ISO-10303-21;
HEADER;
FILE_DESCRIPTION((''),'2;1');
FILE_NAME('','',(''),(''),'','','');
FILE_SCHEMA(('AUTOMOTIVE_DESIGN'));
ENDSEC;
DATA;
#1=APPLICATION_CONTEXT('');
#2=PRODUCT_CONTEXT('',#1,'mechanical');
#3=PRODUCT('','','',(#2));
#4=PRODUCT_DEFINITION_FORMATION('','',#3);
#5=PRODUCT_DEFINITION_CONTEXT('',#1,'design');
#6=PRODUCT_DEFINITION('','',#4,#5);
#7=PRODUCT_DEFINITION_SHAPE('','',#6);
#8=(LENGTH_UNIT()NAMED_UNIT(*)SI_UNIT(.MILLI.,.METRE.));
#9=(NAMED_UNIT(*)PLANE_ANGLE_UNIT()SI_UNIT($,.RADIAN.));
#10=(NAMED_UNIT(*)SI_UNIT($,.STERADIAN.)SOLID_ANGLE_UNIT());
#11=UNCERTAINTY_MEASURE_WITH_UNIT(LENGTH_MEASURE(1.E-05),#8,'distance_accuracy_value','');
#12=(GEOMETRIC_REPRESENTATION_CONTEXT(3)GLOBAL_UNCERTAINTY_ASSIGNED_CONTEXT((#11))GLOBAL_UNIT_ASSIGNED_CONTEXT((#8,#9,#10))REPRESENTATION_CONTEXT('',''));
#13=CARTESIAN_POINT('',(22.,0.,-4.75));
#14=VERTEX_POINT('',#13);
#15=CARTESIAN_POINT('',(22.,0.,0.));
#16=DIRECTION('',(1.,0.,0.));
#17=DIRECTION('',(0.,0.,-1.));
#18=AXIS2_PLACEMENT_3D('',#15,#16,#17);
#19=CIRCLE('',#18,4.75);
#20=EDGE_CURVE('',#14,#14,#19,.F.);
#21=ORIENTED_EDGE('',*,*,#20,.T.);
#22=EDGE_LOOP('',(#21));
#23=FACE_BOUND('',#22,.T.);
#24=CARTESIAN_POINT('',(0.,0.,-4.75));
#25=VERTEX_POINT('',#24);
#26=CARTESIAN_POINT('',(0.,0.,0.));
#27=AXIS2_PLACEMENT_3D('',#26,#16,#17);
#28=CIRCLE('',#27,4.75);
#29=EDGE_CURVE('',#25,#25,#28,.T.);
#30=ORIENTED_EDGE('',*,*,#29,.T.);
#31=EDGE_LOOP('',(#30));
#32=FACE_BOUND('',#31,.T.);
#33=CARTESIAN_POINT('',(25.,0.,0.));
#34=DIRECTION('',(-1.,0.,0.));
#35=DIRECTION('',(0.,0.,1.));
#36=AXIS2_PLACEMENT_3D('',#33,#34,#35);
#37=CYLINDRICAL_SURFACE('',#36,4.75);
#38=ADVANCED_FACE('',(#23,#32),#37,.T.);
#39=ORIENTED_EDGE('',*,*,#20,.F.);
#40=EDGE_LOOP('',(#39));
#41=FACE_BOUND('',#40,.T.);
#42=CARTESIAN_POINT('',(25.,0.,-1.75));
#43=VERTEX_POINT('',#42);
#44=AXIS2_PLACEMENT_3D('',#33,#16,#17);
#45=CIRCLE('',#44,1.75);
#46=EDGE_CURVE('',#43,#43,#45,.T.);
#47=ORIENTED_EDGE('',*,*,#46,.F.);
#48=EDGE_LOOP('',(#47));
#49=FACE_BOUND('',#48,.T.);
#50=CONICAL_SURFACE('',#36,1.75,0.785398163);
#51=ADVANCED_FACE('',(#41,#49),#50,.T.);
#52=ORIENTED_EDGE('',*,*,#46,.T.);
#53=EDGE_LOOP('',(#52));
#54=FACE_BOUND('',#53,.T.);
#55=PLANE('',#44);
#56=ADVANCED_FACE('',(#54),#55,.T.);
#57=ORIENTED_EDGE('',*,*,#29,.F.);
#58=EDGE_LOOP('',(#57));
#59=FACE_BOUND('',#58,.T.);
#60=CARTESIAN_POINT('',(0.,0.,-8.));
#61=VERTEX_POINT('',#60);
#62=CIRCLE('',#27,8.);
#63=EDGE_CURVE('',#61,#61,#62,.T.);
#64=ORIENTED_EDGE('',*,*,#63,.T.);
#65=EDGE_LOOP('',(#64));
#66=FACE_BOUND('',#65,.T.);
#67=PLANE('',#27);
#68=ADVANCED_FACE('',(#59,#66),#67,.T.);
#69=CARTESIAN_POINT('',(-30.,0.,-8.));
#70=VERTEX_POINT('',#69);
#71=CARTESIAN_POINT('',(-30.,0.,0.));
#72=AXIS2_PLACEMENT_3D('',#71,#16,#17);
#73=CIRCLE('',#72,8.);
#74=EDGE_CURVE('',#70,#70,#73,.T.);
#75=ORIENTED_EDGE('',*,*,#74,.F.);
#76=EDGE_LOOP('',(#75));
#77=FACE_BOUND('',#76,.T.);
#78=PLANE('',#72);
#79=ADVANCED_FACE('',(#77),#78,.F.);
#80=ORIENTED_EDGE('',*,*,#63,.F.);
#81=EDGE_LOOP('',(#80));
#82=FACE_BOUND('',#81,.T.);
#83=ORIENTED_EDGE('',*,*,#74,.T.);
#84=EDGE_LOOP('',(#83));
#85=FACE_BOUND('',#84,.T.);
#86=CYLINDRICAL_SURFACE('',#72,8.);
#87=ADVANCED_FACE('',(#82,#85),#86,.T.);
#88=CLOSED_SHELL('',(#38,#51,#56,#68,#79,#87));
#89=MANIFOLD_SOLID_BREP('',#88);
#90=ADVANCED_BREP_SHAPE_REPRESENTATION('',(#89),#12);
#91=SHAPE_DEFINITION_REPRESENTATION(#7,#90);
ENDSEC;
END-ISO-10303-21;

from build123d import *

# Parameters (mm, degrees)
SKETCH_1_R      = 8
EXTRUDE_1_DEPTH = 30
SKETCH_2_R      = 4.75
EXTRUDE_2_DEPTH = 25
CHAMFER_1_SIZE  = 3


with BuildPart() as part:
    # Эскиз1 → Бобышка-Вытянуть1 (new body)
    with BuildSketch(Plane(origin=(0, 0, 0), x_dir=(0, 0, -1), z_dir=(1, 0, 0))):
        Circle(SKETCH_1_R)
    extrude(amount=-EXTRUDE_1_DEPTH)

    # Эскиз2 → Бобышка-Вытянуть2 (add)
    with BuildSketch(Plane(origin=(0, 0, 0), x_dir=(0, 0, -1), z_dir=(1, 0, 0))):
        Circle(SKETCH_2_R)
    extrude(amount=EXTRUDE_2_DEPTH)

    # Фаска1
    chamfer_1_edges = [part.edges().sort_by_distance(p)[0] for p in [
        (25, 0, 4.75),
    ]]
    chamfer(chamfer_1_edges, length=CHAMFER_1_SIZE)


solid = part.part
